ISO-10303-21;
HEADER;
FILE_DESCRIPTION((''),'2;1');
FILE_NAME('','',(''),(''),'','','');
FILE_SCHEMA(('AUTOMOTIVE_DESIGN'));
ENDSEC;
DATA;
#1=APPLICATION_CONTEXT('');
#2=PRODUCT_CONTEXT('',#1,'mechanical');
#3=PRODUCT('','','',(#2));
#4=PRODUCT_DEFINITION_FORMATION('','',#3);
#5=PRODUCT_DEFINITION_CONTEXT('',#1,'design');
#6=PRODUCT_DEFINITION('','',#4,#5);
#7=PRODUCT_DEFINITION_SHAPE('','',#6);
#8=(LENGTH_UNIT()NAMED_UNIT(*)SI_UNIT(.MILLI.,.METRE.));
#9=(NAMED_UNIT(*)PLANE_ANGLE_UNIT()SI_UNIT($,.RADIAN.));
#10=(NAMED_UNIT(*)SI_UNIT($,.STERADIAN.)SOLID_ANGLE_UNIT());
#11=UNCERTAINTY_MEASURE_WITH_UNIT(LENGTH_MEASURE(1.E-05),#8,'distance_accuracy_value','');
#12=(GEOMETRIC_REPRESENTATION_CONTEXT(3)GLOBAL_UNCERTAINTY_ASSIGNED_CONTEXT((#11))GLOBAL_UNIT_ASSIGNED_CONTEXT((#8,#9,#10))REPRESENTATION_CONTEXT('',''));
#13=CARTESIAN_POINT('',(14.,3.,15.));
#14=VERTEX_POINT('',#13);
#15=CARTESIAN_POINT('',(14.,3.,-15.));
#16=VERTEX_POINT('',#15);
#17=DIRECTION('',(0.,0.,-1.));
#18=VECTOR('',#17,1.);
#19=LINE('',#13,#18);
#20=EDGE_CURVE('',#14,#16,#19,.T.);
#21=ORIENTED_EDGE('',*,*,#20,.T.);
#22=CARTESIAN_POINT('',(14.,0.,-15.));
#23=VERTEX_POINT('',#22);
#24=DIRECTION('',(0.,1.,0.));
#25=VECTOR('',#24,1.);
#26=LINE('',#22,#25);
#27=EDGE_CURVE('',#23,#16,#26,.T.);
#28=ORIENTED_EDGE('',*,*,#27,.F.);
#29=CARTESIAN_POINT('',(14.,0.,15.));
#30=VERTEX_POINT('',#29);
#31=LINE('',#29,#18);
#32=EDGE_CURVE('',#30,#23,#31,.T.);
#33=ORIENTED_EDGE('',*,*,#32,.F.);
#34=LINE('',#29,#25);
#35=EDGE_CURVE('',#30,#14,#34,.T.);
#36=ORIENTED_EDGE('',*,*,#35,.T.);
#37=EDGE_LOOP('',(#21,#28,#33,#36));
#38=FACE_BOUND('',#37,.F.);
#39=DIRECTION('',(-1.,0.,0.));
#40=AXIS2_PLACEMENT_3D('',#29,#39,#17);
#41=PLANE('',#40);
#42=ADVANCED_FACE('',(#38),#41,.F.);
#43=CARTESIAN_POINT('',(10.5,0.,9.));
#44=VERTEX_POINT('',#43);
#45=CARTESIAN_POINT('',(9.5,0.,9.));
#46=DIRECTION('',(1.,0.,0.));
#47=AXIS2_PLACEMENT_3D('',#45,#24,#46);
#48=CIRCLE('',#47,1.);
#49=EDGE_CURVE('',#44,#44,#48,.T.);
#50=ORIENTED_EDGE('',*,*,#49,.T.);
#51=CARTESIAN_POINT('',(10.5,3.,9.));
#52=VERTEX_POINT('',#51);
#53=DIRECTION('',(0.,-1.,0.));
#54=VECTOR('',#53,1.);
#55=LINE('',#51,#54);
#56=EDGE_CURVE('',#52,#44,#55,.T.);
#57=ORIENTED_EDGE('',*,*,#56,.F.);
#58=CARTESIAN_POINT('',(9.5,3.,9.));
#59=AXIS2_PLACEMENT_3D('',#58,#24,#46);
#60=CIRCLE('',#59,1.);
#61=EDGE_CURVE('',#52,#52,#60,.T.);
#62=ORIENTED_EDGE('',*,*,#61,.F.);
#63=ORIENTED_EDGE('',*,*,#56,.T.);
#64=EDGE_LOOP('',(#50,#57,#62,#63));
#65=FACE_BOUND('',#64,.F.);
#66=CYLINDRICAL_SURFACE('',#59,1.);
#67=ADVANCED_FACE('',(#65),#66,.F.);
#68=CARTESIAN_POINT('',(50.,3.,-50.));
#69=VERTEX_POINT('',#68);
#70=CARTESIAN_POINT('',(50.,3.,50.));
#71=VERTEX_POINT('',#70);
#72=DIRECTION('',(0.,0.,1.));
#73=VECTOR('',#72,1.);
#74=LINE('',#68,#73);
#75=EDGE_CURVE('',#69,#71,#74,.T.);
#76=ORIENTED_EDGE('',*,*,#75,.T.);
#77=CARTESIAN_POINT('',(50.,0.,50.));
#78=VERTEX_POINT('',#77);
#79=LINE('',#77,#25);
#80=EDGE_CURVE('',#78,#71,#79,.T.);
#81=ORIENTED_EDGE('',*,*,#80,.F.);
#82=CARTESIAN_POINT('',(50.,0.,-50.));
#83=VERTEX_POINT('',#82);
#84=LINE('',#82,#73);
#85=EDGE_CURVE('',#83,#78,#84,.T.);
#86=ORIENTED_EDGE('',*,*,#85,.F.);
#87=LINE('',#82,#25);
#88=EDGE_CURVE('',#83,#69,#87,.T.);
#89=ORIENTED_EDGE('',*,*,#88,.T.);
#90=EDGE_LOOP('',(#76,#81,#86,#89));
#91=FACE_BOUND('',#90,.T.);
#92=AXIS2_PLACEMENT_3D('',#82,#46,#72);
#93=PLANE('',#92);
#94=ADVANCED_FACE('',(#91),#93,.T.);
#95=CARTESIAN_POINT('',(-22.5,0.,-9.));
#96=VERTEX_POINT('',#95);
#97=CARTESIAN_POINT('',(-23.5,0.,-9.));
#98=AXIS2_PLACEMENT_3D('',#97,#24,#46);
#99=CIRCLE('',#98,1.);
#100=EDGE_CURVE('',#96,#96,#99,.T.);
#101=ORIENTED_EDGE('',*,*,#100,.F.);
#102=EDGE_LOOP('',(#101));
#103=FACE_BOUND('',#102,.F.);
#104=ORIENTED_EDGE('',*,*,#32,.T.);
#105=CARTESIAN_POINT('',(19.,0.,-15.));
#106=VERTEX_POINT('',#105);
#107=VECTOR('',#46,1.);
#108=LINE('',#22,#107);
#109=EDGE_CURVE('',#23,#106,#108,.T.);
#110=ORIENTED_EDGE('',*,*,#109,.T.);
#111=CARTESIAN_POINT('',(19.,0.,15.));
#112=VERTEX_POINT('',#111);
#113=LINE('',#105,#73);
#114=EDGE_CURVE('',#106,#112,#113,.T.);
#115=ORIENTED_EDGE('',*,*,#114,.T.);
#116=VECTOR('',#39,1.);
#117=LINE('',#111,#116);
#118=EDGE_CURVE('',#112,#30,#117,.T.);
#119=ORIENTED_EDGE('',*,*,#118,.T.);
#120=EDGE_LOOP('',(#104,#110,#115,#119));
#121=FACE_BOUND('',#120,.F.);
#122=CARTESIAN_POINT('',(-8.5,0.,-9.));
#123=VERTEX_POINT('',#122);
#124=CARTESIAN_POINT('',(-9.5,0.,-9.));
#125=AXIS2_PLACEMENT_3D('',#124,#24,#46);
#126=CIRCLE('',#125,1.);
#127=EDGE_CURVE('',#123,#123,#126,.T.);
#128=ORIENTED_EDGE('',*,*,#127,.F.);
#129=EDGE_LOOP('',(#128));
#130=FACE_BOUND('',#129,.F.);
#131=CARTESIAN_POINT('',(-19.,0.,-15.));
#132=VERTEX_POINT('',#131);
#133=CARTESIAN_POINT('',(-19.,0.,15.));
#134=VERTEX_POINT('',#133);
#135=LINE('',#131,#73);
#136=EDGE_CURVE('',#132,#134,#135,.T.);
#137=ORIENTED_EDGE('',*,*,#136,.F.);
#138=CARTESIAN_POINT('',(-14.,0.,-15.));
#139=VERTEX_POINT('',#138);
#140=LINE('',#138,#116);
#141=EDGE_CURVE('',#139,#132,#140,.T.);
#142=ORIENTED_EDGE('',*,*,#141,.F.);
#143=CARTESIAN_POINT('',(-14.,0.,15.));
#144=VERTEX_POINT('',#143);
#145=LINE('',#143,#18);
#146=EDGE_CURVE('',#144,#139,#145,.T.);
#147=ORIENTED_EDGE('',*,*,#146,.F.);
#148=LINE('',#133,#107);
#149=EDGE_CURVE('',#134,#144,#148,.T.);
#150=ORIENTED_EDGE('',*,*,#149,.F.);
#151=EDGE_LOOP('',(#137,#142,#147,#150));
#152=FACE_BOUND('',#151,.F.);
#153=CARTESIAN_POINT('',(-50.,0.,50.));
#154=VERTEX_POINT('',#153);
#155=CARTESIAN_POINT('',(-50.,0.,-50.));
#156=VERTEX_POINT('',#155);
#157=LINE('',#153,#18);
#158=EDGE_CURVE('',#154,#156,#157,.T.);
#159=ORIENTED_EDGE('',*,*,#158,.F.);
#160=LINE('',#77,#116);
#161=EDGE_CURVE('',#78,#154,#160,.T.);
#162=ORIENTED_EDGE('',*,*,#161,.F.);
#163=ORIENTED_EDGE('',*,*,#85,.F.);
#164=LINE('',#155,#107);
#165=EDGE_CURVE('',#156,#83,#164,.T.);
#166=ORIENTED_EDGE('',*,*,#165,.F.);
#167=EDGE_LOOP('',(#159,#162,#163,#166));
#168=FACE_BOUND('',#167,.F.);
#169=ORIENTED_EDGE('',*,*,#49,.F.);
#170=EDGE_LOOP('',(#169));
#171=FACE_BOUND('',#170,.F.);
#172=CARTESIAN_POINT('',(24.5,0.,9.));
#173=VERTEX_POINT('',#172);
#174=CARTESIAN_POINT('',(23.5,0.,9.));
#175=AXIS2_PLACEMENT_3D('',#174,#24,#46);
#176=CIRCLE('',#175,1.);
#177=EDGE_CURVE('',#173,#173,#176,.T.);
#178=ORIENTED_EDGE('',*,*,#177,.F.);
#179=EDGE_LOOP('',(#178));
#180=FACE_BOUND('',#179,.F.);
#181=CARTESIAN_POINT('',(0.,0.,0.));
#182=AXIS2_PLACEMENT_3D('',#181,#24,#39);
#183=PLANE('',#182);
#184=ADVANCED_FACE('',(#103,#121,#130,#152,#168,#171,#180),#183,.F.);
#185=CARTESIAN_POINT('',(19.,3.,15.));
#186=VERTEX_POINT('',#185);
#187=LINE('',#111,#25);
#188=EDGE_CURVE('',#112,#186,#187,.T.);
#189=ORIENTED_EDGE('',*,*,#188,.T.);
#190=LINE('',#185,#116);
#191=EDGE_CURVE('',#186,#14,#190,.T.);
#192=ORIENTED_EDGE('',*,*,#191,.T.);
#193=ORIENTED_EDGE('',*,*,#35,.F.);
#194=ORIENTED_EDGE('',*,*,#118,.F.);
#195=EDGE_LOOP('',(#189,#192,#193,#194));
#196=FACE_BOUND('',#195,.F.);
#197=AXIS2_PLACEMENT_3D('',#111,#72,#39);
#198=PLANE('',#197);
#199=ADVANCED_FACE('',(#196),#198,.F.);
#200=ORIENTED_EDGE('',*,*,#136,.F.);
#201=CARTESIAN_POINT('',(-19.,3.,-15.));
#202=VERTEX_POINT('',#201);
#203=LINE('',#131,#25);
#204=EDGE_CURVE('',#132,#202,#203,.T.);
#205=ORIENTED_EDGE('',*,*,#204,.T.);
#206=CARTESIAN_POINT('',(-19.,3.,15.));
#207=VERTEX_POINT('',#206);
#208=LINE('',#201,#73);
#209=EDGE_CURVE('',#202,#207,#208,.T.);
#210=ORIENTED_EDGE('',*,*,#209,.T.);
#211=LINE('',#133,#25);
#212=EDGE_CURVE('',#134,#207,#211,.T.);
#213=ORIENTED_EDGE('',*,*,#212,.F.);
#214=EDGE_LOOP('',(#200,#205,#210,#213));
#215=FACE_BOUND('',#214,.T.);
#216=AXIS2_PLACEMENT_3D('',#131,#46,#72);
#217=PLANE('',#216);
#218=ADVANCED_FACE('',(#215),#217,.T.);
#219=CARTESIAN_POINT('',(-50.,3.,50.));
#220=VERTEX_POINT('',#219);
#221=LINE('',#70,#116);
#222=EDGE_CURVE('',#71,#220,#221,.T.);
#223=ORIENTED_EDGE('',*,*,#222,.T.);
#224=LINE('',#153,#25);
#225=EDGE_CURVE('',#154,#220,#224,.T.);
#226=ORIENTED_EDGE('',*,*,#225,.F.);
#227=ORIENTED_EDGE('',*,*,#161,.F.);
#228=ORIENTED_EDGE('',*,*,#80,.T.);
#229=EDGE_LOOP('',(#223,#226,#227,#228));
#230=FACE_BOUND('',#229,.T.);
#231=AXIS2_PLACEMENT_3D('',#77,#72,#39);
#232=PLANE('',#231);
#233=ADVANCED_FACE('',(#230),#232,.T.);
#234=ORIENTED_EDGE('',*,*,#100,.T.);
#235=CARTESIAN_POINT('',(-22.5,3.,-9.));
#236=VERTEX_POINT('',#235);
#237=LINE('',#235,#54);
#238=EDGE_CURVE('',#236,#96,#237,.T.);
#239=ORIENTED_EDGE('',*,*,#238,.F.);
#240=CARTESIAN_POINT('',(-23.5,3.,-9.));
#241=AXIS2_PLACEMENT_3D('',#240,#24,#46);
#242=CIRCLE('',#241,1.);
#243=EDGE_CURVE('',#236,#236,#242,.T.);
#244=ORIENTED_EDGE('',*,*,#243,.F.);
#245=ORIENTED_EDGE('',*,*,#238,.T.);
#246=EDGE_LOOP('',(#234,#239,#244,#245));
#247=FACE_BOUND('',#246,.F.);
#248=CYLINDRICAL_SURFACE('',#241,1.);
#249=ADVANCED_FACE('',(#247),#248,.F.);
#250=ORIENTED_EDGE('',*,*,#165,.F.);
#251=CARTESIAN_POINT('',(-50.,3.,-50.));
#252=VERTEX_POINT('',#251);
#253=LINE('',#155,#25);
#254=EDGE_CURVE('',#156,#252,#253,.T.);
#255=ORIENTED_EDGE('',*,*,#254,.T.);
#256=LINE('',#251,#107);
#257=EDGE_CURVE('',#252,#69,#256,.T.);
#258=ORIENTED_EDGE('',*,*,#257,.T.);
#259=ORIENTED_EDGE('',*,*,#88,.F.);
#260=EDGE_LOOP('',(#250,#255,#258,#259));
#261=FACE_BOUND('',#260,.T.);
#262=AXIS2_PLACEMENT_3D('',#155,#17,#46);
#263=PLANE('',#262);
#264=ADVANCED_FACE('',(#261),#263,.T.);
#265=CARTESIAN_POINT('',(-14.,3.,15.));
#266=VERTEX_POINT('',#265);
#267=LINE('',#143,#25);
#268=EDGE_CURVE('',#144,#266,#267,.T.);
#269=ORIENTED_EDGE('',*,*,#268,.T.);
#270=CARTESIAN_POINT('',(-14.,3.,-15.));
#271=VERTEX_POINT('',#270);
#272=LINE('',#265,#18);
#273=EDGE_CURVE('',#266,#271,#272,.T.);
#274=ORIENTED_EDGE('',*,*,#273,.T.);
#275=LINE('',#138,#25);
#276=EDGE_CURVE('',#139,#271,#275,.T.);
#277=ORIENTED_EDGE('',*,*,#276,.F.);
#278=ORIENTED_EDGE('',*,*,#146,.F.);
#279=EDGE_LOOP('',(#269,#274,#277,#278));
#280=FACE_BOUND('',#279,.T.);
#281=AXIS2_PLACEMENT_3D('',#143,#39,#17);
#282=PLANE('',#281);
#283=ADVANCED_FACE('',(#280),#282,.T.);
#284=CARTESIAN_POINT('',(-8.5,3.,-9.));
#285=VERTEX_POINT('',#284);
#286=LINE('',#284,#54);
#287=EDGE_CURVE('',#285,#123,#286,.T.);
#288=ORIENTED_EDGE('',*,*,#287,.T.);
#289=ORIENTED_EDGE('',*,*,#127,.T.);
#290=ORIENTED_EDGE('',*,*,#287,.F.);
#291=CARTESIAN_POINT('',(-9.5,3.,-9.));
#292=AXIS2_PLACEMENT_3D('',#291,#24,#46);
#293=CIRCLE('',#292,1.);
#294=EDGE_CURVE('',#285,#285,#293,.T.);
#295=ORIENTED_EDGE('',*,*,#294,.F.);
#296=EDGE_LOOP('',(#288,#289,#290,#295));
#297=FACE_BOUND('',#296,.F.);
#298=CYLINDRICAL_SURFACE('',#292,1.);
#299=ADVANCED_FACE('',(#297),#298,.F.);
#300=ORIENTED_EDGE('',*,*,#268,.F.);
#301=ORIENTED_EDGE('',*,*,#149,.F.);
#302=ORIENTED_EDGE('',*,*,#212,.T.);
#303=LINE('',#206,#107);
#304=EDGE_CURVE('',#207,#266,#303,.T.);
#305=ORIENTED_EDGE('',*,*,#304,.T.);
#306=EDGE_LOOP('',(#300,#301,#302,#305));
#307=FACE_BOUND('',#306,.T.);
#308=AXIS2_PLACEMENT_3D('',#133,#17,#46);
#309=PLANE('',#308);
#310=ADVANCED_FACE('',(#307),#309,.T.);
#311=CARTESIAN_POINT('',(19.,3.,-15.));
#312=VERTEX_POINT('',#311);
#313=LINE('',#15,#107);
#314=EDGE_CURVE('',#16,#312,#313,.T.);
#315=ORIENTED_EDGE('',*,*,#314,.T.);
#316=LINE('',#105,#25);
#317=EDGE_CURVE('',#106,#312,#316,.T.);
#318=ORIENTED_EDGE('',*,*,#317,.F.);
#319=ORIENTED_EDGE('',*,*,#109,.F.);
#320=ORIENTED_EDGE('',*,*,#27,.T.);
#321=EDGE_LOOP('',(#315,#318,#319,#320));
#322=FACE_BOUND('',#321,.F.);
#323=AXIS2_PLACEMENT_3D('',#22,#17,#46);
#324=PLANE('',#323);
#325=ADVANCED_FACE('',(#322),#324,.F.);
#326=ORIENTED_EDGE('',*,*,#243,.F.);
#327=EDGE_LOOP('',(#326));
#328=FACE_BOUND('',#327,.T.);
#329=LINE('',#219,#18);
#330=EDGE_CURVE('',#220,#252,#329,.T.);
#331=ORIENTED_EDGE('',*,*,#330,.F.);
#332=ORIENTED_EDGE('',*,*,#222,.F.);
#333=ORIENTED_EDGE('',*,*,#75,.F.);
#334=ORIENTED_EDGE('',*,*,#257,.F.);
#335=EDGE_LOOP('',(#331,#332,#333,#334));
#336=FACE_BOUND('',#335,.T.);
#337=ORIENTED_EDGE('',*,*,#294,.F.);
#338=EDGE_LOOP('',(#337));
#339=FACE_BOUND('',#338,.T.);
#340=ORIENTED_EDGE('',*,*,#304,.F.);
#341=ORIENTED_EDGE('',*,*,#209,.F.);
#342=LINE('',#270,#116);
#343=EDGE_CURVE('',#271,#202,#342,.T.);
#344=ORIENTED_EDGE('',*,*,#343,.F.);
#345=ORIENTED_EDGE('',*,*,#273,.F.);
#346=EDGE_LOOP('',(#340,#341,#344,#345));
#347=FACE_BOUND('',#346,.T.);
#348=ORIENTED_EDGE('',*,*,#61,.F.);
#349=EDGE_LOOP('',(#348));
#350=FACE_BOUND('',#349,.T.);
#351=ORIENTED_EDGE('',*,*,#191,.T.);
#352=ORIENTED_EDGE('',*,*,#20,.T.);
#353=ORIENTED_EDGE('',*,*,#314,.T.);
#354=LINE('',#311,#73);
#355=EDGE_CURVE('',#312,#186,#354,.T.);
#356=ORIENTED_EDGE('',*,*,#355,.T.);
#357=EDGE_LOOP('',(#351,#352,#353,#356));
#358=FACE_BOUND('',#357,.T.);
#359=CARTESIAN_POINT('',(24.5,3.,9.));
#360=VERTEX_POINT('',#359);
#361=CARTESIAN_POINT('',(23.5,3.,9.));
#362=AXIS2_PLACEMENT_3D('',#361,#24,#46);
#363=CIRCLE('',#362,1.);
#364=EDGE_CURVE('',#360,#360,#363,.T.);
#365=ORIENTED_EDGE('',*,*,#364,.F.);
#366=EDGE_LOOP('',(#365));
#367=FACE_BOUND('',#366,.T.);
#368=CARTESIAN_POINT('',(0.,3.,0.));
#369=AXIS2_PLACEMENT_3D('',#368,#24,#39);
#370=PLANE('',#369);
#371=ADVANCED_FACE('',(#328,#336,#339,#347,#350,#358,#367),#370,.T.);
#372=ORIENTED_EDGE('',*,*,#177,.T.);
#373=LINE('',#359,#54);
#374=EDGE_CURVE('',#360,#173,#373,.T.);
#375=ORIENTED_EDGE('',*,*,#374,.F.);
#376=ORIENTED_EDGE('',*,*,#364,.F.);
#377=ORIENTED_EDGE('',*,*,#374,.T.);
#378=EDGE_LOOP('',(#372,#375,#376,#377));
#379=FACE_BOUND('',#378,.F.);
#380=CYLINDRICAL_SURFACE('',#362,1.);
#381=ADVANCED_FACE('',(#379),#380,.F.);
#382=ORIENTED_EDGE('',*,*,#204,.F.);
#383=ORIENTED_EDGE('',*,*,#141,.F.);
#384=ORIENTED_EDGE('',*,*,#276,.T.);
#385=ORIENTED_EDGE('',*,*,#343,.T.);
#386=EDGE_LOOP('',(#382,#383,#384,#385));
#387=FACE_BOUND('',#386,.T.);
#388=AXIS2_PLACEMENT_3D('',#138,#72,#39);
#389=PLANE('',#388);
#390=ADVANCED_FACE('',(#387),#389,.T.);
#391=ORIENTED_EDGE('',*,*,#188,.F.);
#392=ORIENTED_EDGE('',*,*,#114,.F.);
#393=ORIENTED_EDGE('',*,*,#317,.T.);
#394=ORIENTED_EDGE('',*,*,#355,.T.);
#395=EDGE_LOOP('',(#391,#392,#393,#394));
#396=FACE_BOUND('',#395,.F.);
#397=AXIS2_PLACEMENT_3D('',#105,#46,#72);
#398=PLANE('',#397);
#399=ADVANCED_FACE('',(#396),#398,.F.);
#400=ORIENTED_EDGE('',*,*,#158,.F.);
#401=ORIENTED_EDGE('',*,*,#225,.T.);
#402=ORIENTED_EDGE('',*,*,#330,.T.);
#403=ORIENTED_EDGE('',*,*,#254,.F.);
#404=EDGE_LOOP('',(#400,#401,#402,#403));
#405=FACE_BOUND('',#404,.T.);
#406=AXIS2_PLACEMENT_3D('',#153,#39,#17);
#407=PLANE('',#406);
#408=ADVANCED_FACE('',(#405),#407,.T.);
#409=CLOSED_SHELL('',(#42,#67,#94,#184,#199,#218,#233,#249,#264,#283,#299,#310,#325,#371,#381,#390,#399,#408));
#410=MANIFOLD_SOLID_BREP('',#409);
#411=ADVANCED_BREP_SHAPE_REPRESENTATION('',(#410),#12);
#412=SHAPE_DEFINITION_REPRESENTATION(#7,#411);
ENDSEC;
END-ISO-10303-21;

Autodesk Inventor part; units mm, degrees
ref_plane "YZ Plane" through (0, 0, 0) normal (1, 0, 0) x (0, 1, 0)
ref_plane "XZ Plane" through (0, 0, 0) normal (0, 1, 0) x (-1, 0, 0)
ref_plane "XY Plane" through (0, 0, 0) normal (0, 0, 1) x (1, 0, 0)
sketch "Sketch1" plane through (0, 0, 0) normal (0, 1, 0) x (-1, 0, 0)
  line L0 (50, -50) -> (-50, -50)
  line L1 (-50, -50) -> (-50, 50)
  line L2 (-50, 50) -> (50, 50)
  line L3 (50, 50) -> (50, -50)
  line L4 (50, -50) -> (-50, 50) construction
  line L5 (-50, -50) -> (50, 50) construction
  line L6 (-14, -15) -> (-19, -15)
  line L7 (-19, -15) -> (-19, 15)
  line L8 (-19, 15) -> (-14, 15)
  line L9 (-14, 15) -> (-14, -15)
  line L10 (-14, -15) -> (-19, 15) construction
  line L11 (-19, -15) -> (-14, 15) construction
  line L12 (0, -50) -> (0, 50) construction
  line L13 (14, -15) -> (19, -15)
  line L14 (19, -15) -> (19, 15)
  line L15 (19, 15) -> (14, 15)
  line L16 (14, 15) -> (14, -15)
  line L17 (14, -15) -> (19, 15) construction
  line L18 (19, -15) -> (14, 15) construction
  line L19 (-19, 15) -> (-19, 50) construction
  line L20 (-19, -15) -> (-19, -50) construction
  point P0 (0, 0)
  point P1 (-16.5, 0)
  point P2 (16.5, 0)
  dimension "d0" = 100
  dimension "d1" = 100
  dimension "d4" = 5
  dimension "d5" = 30
  dimension "d6" = 14
extrude "Extrusion2" add sketch "Sketch1" along normal blind 3
sketch "Sketch2" plane through (0, 3, 0) normal (0, 1, 0) x (1, 0, 0)
  circle A0 centre (23.5, -9) radius 1
  circle A1 centre (9.5, -9) radius 1
  line L0 (23.5, -9) -> (16.5, -9) construction
  line L1 (19, -15) -> (14, -15) construction
  line L2 (16.5, -15) -> (16.5, -9) construction
  line L3 (16.5, -9) -> (9.5, -9) construction
  line L4 (-19, 15) -> (-14, 15) construction
  line L5 (-16.5, 15) -> (-16.5, 9) construction
  line L6 (-16.5, 9) -> (-9.5, 9) construction
  line L7 (-16.5, 9) -> (-23.5, 9) construction
  circle A2 centre (-9.5, 9) radius 1
  circle A3 centre (-23.5, 9) radius 1
  point P0 (0, 0)
  dimension "d11" = 2
  dimension "d12" = 2
  dimension "d13" = 6
  dimension "d14" = 7
  dimension "d17" = 2
  dimension "d18" = 2
extrude "Extrusion3" cut sketch "Sketch2" against normal through all
properties part number "thumper-bumper-base"
